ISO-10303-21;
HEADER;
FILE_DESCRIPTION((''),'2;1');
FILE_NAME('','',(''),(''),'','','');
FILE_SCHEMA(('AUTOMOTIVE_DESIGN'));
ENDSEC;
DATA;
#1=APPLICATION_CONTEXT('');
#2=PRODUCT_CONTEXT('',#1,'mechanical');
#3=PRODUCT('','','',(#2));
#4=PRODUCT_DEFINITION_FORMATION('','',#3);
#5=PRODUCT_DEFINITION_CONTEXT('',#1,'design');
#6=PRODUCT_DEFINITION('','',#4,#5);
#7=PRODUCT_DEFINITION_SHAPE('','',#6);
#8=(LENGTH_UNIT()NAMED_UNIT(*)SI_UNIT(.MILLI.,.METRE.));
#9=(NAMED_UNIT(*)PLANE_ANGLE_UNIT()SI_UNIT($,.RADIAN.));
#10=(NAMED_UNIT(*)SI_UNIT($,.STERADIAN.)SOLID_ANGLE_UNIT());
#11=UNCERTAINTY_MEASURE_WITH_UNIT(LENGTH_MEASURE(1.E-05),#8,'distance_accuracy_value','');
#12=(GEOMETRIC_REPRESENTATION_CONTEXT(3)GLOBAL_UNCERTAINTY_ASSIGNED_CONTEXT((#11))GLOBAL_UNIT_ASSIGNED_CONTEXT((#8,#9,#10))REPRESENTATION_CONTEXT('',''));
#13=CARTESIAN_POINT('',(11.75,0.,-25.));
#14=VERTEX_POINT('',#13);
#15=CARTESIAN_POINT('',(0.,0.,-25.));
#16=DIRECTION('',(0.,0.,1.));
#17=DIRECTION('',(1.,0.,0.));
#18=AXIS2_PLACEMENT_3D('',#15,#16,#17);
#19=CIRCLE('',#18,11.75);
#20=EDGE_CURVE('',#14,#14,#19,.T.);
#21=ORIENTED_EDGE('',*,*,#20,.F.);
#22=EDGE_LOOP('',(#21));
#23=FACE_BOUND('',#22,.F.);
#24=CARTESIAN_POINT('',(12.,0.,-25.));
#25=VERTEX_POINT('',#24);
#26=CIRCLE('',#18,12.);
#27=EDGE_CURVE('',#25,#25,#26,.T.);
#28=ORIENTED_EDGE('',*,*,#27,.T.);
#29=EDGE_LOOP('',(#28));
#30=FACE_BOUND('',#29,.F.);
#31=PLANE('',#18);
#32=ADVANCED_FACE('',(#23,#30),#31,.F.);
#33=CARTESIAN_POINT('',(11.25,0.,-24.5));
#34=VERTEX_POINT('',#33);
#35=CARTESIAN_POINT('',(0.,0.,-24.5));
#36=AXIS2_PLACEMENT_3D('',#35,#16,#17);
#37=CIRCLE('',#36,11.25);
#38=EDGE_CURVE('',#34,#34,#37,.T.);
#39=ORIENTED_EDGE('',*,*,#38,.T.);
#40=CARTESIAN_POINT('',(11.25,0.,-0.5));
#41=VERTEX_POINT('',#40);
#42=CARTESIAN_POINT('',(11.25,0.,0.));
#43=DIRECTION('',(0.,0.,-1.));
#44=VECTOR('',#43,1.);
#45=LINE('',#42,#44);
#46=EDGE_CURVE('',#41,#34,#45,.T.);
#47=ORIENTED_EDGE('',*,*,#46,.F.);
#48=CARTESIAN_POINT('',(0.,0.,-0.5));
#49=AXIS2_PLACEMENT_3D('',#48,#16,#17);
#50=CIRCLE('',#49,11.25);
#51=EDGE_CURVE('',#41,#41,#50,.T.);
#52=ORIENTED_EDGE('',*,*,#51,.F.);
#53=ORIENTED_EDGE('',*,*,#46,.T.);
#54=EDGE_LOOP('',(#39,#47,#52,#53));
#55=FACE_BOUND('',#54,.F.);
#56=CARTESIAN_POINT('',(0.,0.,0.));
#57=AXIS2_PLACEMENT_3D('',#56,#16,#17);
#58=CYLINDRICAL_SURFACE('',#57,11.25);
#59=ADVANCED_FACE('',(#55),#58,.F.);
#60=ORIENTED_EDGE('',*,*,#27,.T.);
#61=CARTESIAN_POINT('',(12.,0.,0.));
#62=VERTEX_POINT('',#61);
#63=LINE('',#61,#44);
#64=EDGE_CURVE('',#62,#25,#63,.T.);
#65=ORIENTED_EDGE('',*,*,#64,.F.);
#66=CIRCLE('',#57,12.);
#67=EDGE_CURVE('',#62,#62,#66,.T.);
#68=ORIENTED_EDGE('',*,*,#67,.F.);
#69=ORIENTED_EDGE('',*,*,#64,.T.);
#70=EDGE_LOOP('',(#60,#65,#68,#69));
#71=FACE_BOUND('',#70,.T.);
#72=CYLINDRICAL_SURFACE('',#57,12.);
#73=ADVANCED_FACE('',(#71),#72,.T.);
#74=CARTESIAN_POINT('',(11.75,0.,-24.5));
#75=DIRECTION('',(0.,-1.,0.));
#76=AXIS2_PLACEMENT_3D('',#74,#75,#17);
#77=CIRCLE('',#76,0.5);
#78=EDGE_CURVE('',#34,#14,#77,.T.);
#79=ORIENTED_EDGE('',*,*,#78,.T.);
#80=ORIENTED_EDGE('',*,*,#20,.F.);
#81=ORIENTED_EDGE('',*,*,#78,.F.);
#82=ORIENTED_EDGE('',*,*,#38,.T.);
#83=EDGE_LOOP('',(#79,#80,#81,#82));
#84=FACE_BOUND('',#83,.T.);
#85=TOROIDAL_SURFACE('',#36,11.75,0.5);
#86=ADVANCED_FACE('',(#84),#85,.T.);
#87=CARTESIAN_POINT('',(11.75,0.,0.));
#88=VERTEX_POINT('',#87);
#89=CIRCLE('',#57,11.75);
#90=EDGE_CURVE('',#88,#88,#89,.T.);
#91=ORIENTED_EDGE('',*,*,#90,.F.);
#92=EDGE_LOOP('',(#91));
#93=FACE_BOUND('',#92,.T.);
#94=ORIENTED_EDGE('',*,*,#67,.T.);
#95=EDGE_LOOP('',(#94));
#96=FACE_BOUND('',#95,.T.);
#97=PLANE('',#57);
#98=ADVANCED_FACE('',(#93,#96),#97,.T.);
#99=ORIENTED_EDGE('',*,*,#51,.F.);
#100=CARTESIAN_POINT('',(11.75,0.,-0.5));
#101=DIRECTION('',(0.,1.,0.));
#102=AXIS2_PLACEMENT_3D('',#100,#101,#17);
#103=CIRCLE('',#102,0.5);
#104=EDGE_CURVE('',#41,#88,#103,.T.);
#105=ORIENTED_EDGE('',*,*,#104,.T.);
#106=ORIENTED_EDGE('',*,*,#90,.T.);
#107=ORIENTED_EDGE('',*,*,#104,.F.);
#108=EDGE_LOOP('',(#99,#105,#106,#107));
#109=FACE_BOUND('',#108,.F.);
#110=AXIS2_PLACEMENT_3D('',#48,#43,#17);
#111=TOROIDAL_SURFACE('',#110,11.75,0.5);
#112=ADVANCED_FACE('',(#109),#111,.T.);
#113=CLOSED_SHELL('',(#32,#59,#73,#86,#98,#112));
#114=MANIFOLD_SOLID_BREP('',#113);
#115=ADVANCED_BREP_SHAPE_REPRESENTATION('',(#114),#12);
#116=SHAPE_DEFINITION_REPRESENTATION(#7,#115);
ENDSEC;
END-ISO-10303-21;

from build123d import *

# Parameters (mm, degrees)
F0_R     = 12
F0_R_2   = 11.25
F1_DEPTH = 25
F2_R     = 0.5


with BuildPart() as f1:
    # F0 (on Top) → F1 (new body)
    with BuildSketch(Plane.XY):
        Circle(F0_R)
        Circle(F0_R_2, mode=Mode.SUBTRACT)
    extrude(amount=-F1_DEPTH)

    # F2
    f2_edges = [f1.edges().sort_by_distance(p)[0] for p in [
        (-11.25, 0, -25),
        (-11.25, 0, 0),
    ]]
    fillet(f2_edges, radius=F2_R)


solid = f1.part
